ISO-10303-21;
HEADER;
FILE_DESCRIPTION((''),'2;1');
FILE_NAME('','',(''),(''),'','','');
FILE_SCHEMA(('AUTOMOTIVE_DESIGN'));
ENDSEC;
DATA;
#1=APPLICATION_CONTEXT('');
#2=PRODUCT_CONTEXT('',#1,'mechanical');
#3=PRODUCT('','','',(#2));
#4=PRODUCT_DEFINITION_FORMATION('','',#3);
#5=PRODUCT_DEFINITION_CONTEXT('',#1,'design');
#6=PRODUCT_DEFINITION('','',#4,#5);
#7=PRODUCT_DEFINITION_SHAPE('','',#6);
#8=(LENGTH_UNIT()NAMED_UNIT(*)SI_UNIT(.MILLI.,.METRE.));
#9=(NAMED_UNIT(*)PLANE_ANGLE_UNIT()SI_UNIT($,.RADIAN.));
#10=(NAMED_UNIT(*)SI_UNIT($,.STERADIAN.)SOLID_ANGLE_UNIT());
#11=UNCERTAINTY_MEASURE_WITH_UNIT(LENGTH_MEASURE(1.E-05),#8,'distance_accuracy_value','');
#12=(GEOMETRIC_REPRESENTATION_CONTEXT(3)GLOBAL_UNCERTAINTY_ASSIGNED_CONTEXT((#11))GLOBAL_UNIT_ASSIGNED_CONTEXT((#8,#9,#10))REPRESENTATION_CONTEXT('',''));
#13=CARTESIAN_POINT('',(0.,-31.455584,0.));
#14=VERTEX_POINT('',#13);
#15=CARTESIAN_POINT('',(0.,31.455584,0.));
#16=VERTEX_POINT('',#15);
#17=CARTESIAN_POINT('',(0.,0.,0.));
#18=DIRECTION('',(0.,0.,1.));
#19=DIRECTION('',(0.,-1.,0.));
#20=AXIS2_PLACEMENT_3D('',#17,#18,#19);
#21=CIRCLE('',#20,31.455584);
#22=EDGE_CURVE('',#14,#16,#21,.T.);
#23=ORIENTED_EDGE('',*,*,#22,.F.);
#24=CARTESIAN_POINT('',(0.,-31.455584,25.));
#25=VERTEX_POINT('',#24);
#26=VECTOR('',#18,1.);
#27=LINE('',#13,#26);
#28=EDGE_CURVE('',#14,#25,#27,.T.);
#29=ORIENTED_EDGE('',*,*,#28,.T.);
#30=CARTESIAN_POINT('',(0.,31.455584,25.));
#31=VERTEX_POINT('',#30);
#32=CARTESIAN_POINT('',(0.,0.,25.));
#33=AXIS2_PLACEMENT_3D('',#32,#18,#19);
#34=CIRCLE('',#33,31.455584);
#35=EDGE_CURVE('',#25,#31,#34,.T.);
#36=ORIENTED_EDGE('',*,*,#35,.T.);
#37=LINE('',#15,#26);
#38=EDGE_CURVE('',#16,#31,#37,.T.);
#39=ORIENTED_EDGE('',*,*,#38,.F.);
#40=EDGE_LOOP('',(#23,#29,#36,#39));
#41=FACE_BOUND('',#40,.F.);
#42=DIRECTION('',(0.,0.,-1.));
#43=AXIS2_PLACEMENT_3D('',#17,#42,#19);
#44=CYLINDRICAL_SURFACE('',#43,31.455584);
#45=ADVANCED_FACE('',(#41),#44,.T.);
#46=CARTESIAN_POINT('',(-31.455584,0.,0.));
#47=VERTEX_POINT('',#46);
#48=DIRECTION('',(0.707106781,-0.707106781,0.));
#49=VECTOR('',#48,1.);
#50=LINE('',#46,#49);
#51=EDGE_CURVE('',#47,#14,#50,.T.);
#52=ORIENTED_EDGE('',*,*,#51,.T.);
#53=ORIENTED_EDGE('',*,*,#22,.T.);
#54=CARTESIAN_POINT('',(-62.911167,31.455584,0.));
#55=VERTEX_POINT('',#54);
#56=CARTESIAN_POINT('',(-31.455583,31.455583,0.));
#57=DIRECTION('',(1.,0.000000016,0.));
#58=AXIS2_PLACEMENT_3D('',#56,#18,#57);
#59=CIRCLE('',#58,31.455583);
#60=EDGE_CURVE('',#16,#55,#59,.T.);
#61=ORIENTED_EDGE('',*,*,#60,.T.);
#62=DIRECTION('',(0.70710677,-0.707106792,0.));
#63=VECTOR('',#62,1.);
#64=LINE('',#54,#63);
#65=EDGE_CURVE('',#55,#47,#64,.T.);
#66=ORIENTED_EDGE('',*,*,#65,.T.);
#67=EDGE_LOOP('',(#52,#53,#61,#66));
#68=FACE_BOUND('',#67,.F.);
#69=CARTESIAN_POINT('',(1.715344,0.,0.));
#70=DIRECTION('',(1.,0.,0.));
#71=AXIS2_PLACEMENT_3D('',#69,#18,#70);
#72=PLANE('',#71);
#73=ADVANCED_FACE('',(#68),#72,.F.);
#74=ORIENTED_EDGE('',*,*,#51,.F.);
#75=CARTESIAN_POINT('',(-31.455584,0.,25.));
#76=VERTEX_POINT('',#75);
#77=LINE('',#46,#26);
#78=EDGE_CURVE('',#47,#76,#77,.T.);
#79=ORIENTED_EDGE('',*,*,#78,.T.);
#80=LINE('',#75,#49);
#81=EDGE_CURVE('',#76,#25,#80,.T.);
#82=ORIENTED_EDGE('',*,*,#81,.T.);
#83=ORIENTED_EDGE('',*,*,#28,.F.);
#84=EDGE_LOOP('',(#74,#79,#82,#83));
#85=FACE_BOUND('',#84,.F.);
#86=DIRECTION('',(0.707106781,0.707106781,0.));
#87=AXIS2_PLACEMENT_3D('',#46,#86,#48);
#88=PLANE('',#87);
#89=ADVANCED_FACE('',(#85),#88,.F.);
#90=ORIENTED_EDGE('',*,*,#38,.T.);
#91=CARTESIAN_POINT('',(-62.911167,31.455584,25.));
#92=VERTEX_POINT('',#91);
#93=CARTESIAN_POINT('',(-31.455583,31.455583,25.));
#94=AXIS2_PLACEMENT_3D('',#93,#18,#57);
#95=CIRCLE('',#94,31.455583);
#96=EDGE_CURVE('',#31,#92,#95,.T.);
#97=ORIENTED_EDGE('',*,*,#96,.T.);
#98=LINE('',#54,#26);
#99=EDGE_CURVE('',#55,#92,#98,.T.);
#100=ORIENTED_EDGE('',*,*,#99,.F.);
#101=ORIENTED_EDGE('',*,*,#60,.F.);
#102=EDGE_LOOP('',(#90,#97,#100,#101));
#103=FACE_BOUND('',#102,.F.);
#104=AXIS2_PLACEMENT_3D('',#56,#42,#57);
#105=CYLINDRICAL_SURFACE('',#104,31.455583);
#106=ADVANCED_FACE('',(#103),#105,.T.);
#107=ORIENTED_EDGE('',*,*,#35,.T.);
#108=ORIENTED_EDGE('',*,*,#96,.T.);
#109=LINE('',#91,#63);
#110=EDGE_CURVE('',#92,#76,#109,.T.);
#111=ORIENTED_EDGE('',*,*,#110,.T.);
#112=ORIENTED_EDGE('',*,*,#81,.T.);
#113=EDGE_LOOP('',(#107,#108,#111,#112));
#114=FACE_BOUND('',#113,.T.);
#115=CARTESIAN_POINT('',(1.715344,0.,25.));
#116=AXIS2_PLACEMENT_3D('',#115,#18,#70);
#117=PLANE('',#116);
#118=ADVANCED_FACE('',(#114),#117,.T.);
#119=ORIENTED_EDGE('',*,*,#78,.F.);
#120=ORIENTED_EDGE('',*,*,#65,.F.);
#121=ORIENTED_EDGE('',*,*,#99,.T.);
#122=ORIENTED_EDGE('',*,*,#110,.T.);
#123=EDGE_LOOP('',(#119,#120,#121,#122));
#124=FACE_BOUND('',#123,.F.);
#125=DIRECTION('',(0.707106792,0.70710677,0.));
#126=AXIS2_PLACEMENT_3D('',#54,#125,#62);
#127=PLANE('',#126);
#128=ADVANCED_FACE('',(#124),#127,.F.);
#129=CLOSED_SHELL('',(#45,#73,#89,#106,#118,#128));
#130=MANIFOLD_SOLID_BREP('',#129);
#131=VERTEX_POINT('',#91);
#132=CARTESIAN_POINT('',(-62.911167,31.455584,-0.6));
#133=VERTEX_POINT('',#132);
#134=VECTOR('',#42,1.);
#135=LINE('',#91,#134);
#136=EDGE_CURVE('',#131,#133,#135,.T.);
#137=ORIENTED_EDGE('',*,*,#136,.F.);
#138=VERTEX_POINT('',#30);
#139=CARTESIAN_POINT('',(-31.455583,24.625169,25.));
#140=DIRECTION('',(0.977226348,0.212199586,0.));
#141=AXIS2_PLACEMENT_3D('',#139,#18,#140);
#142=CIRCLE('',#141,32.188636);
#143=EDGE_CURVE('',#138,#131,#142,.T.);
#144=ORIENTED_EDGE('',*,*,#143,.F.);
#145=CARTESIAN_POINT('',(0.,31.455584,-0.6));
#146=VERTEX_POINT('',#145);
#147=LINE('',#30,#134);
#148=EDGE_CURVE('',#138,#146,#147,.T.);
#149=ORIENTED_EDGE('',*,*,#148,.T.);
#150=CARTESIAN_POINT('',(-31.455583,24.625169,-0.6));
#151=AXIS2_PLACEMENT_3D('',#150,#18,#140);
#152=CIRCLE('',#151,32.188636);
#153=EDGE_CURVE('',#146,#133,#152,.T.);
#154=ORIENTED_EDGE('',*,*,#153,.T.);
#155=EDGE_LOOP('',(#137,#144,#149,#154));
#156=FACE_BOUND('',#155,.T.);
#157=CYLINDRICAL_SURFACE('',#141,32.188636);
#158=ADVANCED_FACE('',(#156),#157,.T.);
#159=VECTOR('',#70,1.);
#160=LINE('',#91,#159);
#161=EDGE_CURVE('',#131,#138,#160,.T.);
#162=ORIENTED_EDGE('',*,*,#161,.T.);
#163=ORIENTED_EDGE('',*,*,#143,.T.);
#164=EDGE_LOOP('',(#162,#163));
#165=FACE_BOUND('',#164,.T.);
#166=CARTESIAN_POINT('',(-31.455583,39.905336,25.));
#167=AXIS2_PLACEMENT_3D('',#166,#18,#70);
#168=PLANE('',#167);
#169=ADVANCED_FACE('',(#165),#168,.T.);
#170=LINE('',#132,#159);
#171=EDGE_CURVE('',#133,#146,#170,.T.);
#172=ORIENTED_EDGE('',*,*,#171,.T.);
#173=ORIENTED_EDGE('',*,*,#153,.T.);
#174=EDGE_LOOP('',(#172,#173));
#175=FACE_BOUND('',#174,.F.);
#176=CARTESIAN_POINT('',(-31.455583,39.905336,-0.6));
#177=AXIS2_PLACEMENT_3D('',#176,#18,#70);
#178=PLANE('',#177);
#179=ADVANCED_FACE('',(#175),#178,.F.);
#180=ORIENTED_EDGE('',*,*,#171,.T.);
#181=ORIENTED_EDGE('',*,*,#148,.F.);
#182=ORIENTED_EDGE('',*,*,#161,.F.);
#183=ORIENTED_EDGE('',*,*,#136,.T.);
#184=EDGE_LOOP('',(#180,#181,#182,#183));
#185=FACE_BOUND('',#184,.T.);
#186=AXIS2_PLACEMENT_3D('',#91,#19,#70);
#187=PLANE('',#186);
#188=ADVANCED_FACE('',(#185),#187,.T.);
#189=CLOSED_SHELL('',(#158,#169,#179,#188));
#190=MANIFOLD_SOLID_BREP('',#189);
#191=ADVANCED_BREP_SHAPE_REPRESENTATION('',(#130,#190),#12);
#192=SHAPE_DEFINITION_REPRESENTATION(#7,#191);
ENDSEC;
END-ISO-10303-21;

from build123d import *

# Parameters (mm, degrees)
F1_DEPTH = 25
F3_DEPTH = 25.6


with BuildPart() as f1:
    # F0 (on Top) → F1 (new body)
    with BuildSketch(Plane.XY):
        with BuildLine():
            Line((-31.455584, 0), (0, -31.455584))
            ThreePointArc((0, -31.455584), (31.455584, 0), (0, 31.455584))
            Line((0, 31.455584), (-31.455584, 0))
        make_face()
        with BuildLine():
            Line((-31.455584, 0), (0, 31.455584))
            ThreePointArc((0, 31.455584), (-31.455584, 62.911167), (-62.911167, 31.455584))
            Line((-62.911167, 31.455584), (-31.455584, 0))
        make_face()
    extrude(amount=F1_DEPTH)


with BuildPart() as f3:
    # F2 (on face) → F3 (new body)
    with BuildSketch(Plane.XY.offset(25)):
        with BuildLine():
            Line((-62.911167, 31.455584), (0, 31.455584))
            ThreePointArc((0, 31.455584), (-31.455584, 56.813805), (-62.911167, 31.455584))
        make_face()
    extrude(amount=-F3_DEPTH)


solid = Compound([f1.part, f3.part])
